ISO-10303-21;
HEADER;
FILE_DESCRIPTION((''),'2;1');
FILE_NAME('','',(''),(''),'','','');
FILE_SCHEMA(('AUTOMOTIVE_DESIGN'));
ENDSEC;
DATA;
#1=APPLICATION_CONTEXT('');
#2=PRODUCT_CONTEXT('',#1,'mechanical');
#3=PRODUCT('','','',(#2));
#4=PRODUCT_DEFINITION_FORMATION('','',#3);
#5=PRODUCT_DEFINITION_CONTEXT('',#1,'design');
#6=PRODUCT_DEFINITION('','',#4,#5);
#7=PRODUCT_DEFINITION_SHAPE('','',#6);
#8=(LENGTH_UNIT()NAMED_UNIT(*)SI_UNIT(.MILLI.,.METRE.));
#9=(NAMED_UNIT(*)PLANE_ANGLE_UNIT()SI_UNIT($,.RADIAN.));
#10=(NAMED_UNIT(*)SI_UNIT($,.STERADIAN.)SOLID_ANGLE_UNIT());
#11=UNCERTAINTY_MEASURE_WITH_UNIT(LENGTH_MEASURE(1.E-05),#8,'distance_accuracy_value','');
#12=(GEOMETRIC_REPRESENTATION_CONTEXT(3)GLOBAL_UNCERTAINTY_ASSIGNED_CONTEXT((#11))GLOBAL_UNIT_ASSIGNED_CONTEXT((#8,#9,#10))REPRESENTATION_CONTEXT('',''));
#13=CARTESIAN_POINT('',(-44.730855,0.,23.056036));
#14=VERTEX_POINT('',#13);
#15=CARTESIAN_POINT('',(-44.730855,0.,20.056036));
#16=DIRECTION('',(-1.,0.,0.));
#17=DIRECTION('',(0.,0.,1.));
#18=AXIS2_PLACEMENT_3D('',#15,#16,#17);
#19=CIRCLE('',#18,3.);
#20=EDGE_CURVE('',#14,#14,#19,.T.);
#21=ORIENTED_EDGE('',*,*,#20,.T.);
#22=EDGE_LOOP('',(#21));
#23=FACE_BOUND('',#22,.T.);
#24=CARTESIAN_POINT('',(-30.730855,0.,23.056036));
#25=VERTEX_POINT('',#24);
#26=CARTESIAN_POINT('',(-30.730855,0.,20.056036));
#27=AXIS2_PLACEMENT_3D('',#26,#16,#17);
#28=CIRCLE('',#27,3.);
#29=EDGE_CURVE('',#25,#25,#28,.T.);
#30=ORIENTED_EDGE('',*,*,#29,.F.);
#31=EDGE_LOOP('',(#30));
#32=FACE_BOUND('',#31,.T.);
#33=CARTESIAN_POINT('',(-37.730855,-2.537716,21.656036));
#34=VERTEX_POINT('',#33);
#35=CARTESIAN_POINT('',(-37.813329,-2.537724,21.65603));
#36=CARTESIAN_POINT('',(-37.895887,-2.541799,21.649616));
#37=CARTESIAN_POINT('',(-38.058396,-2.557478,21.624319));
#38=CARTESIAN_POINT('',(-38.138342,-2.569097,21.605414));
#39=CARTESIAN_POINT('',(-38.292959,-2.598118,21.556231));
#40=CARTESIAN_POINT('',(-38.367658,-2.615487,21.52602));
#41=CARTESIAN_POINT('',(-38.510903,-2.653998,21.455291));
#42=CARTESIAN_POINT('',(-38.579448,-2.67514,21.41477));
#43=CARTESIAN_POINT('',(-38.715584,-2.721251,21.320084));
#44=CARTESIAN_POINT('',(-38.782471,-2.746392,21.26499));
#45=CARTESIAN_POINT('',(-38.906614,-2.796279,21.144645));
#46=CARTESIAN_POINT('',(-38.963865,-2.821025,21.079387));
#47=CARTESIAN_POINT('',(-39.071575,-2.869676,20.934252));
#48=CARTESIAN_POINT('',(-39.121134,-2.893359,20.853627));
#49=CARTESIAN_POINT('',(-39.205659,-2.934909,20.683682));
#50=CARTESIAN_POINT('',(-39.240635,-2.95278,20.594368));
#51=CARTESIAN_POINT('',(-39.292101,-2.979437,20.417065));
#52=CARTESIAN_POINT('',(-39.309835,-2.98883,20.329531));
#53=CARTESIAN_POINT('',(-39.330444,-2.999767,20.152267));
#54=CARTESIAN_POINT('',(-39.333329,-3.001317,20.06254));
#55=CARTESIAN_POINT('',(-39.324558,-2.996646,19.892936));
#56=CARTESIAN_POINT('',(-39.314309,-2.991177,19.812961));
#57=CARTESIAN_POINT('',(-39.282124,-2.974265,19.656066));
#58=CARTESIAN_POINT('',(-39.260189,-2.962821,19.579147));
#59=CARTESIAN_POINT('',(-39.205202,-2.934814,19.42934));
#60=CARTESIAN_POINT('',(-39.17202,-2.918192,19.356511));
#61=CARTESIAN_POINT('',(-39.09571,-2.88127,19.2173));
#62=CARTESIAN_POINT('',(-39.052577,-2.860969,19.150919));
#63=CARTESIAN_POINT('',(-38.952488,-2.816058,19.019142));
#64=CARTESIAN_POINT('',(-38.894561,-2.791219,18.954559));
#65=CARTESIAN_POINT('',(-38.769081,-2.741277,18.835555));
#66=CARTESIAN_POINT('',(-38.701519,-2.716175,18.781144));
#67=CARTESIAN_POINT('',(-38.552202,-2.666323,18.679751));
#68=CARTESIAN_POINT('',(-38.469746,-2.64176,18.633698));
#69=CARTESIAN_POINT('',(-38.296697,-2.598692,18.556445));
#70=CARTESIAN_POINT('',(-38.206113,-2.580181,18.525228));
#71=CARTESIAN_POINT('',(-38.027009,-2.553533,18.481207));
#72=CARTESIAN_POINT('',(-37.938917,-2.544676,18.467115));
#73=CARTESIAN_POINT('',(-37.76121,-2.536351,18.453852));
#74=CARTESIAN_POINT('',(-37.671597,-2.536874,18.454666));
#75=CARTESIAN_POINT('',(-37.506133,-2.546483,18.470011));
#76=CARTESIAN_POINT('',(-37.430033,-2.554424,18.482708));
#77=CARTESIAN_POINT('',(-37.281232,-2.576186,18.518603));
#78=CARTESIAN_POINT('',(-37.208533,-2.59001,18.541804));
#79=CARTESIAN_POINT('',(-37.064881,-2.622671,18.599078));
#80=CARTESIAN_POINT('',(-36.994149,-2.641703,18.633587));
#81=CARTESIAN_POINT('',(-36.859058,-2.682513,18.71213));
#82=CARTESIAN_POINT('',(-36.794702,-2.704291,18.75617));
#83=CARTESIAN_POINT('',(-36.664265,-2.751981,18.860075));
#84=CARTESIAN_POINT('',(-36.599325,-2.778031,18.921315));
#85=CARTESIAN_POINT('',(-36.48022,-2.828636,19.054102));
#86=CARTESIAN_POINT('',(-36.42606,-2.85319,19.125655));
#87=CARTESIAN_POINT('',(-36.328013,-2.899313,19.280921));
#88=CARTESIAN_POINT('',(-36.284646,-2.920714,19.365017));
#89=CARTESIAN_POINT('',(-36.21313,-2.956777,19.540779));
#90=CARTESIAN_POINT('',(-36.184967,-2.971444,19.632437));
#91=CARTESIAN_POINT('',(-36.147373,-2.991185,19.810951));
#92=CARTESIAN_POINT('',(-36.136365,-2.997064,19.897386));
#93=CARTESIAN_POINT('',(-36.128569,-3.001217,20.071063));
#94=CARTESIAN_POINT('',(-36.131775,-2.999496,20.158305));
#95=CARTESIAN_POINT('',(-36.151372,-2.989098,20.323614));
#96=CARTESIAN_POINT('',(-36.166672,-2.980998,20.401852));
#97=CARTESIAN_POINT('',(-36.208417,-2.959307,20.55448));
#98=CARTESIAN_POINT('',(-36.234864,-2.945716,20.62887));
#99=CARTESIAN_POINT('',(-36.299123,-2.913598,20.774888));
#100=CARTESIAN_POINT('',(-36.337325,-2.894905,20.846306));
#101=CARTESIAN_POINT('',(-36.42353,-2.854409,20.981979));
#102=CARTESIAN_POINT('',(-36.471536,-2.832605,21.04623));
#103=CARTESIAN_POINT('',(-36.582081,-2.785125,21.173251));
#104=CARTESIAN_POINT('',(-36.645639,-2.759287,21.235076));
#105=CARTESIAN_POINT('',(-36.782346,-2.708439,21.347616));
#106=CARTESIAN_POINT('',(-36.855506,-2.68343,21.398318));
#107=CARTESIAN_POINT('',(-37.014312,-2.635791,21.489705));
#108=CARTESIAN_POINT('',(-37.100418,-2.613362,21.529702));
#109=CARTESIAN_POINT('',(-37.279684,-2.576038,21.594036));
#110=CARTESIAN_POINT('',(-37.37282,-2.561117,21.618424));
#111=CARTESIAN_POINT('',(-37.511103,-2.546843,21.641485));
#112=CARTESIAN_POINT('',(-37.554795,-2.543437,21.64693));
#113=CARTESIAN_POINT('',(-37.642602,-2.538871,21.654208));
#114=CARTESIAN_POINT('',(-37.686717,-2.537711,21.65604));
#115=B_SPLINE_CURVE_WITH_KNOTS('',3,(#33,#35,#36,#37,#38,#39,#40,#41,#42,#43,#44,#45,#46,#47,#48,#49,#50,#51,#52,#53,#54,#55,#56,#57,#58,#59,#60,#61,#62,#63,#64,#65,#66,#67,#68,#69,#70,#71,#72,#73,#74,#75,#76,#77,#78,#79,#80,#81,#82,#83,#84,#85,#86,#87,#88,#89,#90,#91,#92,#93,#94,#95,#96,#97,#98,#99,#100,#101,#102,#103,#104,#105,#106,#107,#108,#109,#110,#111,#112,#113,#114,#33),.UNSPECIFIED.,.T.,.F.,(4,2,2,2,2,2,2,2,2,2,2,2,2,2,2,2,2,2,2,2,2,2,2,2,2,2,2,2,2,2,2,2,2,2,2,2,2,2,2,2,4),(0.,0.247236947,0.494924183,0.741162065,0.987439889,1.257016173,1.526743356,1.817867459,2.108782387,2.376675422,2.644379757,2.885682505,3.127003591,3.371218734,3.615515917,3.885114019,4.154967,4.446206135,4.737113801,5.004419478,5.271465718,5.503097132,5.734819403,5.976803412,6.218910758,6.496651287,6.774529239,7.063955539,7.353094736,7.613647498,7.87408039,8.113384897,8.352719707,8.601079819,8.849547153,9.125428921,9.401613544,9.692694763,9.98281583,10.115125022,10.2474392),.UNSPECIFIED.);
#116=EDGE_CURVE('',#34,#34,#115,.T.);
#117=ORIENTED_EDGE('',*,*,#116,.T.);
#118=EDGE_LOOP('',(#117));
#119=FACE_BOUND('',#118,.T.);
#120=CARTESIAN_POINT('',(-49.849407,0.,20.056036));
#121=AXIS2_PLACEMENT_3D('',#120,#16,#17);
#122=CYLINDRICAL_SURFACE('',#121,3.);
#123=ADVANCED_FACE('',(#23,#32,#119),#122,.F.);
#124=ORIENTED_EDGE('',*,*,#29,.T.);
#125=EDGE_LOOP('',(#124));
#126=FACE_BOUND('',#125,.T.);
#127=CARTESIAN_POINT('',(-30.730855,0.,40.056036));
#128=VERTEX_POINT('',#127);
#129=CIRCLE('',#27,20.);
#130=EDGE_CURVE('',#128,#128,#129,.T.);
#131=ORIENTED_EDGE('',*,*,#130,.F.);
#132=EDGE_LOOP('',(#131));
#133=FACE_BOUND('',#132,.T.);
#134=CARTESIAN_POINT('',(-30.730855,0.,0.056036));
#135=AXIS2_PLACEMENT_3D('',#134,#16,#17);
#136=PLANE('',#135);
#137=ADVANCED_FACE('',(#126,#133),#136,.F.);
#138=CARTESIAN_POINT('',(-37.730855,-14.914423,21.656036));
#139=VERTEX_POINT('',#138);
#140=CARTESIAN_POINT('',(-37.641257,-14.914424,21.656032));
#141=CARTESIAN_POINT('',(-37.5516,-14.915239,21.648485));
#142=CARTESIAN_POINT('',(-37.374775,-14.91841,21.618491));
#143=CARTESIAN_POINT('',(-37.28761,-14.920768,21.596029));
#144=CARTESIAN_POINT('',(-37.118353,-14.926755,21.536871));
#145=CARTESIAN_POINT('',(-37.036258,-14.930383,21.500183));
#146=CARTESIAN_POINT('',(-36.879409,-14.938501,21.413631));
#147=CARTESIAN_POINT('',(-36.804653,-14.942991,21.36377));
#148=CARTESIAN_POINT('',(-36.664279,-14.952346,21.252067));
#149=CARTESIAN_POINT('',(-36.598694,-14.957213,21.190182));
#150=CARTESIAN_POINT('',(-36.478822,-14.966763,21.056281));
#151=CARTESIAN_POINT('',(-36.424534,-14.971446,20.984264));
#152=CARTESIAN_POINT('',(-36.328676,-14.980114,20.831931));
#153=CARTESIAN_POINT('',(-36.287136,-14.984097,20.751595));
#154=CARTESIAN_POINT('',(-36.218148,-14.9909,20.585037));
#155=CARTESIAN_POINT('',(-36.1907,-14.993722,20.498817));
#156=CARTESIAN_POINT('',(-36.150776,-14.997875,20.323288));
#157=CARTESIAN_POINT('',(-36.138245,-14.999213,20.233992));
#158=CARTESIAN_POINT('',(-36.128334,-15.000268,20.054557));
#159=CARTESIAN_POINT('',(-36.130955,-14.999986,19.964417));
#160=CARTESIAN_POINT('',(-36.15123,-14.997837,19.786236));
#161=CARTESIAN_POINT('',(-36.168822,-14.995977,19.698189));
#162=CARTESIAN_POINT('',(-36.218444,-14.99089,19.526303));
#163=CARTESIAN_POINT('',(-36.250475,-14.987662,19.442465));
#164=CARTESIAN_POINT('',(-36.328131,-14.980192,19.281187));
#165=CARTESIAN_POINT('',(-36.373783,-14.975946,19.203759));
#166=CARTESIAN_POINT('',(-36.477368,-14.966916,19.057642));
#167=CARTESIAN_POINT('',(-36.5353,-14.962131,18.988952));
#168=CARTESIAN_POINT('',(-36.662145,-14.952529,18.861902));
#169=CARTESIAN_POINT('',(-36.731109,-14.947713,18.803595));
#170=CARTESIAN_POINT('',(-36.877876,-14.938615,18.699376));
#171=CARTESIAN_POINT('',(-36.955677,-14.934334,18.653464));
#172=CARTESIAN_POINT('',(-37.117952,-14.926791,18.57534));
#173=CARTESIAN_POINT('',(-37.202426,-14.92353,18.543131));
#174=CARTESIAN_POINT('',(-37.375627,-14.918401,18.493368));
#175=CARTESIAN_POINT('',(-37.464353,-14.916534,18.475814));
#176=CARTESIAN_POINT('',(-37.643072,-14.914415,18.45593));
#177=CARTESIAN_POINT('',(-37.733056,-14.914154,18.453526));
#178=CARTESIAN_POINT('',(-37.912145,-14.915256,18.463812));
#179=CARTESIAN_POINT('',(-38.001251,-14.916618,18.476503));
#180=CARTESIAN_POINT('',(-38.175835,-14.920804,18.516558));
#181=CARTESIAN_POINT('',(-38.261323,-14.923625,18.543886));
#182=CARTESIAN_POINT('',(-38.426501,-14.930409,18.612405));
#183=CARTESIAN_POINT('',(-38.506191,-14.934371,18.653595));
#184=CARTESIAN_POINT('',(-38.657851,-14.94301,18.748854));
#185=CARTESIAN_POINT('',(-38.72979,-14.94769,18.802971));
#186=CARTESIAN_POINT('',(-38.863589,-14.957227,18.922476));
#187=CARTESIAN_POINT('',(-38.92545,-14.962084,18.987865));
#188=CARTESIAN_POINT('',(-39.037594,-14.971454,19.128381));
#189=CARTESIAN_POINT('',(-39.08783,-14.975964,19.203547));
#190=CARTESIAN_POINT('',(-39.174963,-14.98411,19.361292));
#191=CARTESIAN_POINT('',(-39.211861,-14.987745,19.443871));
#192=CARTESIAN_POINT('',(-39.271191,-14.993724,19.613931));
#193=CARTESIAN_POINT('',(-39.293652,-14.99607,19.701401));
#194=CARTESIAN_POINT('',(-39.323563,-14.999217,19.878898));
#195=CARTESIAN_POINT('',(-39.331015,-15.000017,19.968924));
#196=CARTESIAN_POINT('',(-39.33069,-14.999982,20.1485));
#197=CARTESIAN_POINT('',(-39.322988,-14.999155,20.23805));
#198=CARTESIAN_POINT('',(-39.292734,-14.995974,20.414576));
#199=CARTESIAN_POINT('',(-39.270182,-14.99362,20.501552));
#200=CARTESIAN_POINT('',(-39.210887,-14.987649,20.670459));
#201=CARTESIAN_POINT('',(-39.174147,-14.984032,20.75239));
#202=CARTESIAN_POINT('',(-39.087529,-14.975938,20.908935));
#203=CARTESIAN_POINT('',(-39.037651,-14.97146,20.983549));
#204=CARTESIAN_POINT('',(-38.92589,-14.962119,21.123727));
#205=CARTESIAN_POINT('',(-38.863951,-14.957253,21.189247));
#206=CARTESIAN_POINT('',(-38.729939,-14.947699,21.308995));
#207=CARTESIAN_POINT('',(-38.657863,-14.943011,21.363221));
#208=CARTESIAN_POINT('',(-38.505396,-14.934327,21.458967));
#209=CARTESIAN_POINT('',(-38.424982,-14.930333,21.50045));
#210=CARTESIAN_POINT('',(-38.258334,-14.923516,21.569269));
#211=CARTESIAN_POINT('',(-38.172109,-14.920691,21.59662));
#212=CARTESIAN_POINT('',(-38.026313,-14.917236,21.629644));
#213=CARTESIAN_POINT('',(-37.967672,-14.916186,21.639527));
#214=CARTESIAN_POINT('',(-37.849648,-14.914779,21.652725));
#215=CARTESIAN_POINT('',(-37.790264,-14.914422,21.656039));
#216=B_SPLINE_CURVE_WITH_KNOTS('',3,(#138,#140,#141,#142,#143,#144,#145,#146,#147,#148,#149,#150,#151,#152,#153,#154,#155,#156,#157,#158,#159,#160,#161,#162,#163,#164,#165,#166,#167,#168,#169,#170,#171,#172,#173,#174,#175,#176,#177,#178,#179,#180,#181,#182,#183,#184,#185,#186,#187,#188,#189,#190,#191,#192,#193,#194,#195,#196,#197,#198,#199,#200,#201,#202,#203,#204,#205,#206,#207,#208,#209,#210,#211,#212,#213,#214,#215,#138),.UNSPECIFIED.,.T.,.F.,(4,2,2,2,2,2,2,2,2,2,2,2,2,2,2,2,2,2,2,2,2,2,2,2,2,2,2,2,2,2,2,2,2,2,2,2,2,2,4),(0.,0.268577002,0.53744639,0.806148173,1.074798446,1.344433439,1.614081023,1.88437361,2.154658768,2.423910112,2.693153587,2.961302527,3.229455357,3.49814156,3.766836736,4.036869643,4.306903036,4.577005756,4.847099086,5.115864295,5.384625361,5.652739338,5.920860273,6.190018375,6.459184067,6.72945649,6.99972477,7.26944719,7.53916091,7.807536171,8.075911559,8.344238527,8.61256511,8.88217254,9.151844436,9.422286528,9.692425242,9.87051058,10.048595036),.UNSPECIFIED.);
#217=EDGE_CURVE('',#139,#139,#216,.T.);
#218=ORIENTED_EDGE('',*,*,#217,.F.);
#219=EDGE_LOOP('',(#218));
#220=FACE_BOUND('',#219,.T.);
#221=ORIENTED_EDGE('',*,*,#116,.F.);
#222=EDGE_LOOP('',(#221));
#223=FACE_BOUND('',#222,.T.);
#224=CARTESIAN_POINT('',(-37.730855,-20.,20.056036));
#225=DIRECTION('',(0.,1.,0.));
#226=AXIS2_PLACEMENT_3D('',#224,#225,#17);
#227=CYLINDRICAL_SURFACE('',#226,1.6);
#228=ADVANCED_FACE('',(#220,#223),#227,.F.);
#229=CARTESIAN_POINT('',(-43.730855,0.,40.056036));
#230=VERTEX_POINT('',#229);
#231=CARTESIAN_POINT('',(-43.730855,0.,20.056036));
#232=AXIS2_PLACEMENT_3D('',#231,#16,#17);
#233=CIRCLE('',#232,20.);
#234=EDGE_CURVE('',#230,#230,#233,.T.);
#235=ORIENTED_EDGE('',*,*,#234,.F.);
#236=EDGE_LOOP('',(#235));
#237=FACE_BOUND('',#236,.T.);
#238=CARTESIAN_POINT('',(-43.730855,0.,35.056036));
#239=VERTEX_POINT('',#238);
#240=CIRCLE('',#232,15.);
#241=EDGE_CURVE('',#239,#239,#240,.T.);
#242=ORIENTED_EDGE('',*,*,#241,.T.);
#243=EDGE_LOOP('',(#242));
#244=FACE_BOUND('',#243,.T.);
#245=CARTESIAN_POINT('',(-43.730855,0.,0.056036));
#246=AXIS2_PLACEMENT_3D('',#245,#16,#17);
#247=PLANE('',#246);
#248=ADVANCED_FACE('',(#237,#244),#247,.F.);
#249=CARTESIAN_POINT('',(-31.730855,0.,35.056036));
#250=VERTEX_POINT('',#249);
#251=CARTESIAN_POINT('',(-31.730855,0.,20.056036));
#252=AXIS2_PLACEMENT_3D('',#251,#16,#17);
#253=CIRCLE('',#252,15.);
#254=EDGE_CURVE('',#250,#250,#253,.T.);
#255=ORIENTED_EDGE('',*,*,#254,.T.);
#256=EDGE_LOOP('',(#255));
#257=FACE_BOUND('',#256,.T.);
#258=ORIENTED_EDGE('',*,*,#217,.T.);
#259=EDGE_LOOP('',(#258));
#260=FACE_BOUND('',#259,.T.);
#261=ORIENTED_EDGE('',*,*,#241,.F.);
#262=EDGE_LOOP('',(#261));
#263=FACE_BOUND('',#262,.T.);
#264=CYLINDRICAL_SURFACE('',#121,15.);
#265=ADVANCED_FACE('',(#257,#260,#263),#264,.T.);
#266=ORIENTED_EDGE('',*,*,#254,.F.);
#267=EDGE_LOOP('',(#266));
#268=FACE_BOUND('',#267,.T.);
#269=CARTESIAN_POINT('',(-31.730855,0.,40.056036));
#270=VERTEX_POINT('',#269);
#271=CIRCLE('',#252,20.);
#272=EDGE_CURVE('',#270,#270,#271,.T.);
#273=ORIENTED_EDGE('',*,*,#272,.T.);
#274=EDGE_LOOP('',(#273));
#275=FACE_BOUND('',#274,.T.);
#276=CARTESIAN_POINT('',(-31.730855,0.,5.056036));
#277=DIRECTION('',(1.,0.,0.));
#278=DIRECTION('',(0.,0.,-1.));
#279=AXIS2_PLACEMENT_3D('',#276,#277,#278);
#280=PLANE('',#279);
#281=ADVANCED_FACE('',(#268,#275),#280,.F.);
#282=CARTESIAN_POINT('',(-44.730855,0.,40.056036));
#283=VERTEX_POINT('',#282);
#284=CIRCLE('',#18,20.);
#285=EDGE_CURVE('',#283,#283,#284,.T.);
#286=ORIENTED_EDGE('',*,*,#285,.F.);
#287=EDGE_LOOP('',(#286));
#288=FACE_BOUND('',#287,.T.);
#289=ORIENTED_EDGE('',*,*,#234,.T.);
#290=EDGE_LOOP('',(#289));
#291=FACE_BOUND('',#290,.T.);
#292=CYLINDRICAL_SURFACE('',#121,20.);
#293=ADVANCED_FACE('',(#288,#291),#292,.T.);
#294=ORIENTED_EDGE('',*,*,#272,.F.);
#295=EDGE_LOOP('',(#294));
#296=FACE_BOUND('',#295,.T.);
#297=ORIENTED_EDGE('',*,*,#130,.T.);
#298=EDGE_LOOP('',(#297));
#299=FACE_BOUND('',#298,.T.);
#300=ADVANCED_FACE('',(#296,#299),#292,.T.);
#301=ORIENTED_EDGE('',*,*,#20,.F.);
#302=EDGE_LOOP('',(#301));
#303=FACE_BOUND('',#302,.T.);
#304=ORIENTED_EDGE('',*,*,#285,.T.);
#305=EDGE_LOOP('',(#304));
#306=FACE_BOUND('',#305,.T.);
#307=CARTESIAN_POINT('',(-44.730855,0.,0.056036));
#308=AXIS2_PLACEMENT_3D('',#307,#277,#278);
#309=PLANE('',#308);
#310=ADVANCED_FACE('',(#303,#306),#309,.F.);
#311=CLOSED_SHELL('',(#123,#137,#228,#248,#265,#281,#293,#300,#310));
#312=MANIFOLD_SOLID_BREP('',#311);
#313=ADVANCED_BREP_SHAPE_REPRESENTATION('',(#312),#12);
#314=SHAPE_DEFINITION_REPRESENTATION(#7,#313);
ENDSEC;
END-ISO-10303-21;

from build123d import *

# Parameters (mm, degrees)
SKETCH_3_R          = 1.6
CUT_EXTRUDE_1_DEPTH = 64.287719075


with BuildPart() as part:
    # ｽｹｯﾁ2 → 回転1 (revolve)
    with BuildSketch(Plane(origin=(0, 0, 0), x_dir=(1, 0, 0), z_dir=(0, 1, 0)), mode=Mode.PRIVATE) as revolve_1_sk:
        Polygon((-44.73085458, -0.056036178), (-44.73085458, -17.056036178), (-30.73085458, -17.056036178), (-30.73085458, -0.056036178), (-31.73085458, -0.056036178), (-31.73085458, -5.056036178), (-43.73085458, -5.056036178), (-43.73085458, -0.056036178), align=None)
    revolve(revolve_1_sk.sketch.rotate(Axis((-49.849406884, 0, 20.056036178), (1, 0, 0)), 180), axis=Axis((-49.849406884, 0, 20.056036178), (1, 0, 0)))

    # ｽｹｯﾁ3 → ｶｯﾄ - 押し出し1 (cut, through all)
    with BuildSketch(Plane(origin=(0, 0, 0), x_dir=(1, 0, 0), z_dir=(0, 1, 0))):
        with Locations(Location((-37.73085458, -20.056036178, 0), (0, 0, 270))):
            Circle(SKETCH_3_R)
    extrude(amount=-CUT_EXTRUDE_1_DEPTH, mode=Mode.SUBTRACT)


solid = part.part
